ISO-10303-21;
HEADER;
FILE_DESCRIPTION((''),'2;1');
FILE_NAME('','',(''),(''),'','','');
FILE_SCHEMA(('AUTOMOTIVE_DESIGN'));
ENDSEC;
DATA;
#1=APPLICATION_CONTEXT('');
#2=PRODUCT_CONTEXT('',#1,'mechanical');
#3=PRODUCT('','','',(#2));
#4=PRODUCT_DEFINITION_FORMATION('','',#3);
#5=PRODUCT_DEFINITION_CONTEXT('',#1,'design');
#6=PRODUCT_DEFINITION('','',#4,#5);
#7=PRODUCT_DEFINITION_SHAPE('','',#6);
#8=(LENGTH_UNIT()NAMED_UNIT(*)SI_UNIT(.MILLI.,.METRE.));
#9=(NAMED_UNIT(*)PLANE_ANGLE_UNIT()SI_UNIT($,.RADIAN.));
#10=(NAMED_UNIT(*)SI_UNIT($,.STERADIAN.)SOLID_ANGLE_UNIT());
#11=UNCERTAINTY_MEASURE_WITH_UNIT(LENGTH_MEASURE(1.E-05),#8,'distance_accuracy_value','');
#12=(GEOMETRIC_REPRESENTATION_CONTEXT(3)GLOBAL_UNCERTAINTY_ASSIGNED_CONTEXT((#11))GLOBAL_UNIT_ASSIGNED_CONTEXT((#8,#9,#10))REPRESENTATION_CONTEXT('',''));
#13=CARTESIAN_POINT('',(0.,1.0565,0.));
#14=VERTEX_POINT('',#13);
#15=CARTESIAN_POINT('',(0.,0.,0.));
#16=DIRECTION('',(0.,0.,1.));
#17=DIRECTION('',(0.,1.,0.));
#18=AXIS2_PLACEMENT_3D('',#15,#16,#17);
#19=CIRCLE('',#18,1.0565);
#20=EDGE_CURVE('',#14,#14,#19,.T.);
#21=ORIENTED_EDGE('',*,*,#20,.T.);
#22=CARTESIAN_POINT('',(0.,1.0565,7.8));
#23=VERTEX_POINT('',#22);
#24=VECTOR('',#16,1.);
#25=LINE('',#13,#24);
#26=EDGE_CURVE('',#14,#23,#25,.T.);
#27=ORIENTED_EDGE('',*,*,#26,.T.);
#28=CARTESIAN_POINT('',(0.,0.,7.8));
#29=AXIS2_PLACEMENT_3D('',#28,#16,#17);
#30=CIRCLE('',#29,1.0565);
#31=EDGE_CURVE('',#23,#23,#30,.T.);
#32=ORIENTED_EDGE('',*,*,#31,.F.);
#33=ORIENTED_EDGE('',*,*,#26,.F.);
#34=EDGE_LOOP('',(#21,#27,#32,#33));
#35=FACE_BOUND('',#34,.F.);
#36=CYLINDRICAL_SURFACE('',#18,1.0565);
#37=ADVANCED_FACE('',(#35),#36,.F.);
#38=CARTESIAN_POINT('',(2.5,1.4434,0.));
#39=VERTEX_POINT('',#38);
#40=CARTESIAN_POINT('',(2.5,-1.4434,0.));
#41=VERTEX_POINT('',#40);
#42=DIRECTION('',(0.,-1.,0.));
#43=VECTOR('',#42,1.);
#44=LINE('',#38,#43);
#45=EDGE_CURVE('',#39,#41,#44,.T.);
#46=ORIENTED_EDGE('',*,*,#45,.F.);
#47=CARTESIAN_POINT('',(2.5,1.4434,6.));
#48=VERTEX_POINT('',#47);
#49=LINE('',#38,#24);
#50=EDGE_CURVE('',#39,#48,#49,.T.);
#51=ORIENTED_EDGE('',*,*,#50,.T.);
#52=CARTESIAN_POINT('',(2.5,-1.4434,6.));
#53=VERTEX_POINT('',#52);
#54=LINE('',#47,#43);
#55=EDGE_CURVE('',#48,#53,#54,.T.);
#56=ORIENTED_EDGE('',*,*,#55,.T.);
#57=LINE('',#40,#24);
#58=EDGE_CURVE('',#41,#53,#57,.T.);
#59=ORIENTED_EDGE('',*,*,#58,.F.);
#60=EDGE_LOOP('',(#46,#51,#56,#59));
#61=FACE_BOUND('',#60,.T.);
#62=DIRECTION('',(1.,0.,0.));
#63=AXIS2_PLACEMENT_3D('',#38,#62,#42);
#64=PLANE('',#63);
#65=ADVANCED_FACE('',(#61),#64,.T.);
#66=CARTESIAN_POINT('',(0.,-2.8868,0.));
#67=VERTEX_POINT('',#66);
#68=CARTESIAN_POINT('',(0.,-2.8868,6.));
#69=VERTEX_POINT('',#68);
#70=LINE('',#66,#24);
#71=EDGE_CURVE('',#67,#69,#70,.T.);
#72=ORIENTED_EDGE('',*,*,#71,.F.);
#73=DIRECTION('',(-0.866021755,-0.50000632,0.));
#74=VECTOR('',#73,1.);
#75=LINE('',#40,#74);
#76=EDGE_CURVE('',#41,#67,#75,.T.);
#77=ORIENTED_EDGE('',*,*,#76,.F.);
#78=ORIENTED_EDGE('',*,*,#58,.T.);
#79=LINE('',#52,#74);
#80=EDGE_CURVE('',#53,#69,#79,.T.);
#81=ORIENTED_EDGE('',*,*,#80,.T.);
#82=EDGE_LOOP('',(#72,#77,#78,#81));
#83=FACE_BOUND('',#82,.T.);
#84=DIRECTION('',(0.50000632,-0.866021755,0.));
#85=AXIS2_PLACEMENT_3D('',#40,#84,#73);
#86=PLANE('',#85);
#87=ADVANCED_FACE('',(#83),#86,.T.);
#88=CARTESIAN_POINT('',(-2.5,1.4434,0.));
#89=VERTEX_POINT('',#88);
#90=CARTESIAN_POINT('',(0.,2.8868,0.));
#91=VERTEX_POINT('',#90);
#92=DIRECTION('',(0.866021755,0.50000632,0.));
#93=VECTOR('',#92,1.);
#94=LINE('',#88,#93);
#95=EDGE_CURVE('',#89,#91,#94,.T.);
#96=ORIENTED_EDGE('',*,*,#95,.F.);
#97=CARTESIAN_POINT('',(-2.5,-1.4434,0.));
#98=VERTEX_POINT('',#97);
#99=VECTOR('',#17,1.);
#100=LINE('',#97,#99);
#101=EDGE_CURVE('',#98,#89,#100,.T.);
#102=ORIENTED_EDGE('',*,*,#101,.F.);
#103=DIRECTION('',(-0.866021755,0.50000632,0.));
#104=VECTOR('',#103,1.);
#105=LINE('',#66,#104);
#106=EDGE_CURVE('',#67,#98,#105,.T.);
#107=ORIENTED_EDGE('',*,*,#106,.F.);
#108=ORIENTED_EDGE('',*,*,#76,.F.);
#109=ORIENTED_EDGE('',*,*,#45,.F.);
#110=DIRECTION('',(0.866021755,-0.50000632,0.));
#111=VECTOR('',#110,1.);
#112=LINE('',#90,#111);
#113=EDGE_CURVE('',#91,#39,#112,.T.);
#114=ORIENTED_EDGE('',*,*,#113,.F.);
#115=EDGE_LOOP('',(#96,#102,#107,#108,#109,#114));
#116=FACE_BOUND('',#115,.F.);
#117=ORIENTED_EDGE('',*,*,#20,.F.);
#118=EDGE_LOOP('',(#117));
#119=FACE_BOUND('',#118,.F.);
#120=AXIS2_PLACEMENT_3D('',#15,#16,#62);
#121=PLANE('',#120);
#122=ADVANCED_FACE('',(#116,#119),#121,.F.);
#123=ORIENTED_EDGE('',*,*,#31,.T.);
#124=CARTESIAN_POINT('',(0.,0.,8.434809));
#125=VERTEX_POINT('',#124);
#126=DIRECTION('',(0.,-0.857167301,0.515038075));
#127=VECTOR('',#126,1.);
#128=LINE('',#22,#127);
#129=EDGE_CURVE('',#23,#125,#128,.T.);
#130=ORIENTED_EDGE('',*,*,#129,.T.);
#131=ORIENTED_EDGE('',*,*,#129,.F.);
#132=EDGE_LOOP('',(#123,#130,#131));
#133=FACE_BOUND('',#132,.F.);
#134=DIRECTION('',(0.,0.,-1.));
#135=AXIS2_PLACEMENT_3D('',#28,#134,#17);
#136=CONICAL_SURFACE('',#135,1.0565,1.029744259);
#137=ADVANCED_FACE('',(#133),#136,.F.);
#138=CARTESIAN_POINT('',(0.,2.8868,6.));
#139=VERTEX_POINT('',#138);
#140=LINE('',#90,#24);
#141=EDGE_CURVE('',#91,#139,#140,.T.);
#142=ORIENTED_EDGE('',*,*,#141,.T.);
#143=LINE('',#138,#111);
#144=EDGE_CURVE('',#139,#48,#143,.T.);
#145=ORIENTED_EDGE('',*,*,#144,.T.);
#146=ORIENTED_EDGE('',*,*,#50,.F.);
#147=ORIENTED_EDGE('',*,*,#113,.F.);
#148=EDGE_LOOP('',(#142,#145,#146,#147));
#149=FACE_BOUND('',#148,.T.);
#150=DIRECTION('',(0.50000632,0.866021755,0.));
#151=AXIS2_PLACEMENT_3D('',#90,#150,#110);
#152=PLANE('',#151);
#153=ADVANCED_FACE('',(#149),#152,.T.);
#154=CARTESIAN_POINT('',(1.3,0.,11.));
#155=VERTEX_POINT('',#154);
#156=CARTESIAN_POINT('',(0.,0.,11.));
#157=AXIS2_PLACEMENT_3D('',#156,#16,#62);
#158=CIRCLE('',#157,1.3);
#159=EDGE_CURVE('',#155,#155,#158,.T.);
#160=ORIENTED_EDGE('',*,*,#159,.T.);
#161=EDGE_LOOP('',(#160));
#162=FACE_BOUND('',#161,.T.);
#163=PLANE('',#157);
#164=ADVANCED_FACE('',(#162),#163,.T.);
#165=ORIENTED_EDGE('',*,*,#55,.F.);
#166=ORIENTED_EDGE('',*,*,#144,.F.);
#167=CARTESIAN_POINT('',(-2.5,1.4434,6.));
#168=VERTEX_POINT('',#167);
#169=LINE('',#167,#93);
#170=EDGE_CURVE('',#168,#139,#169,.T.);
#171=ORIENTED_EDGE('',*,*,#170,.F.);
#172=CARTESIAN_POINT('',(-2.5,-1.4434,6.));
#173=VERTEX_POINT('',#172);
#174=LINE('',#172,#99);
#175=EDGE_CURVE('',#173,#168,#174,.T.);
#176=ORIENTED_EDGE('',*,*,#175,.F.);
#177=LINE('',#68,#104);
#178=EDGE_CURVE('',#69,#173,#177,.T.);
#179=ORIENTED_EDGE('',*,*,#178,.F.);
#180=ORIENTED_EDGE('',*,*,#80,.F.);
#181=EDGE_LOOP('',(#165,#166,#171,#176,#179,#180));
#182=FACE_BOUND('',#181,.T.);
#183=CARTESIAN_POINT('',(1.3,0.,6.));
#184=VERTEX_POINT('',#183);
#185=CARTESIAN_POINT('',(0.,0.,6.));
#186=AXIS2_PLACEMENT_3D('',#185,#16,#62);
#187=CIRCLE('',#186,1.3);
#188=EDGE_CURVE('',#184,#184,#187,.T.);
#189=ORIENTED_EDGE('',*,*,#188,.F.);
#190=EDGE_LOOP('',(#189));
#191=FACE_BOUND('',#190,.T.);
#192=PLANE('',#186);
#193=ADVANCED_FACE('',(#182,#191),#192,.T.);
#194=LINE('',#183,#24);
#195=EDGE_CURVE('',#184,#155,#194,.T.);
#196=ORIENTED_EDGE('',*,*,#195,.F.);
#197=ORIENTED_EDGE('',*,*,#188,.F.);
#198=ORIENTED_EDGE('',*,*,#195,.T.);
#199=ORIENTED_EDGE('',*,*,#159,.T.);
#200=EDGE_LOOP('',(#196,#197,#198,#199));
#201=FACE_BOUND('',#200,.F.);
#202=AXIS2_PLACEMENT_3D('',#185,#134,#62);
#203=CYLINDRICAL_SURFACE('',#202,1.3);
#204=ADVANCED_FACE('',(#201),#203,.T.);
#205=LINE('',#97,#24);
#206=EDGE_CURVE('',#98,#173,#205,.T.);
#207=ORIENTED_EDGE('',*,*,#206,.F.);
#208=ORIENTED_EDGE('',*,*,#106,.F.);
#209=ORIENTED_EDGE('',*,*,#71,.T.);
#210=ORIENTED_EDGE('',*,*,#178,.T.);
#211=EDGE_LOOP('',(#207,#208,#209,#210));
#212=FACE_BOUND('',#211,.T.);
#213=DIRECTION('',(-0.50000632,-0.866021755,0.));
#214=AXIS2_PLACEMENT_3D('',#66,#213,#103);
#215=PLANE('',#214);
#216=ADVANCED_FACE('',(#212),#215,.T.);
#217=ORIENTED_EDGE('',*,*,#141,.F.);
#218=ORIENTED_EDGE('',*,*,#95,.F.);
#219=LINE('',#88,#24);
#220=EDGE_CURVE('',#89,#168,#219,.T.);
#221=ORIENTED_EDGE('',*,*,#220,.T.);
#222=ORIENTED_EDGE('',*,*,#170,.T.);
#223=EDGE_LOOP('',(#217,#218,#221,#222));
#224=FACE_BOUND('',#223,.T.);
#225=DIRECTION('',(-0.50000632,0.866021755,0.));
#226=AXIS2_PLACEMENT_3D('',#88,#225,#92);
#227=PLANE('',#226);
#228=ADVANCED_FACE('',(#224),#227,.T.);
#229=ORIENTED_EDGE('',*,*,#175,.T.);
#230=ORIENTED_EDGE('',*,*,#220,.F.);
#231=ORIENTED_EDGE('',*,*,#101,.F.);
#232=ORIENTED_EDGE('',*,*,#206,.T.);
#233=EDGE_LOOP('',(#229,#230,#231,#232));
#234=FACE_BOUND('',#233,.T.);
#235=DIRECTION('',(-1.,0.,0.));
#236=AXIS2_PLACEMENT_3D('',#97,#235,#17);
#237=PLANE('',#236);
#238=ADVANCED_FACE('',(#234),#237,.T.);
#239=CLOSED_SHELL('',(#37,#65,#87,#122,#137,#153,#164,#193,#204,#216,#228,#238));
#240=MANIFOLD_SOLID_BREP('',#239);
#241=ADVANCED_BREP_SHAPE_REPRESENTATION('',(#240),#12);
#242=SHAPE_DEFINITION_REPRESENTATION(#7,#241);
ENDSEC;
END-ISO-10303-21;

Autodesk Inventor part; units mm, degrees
ref_plane "YZ Plane" through (0, 0, 0) normal (1, 0, 0) x (0, 1, 0)
ref_plane "XZ Plane" through (0, 0, 0) normal (0, 1, 0) x (-1, 0, 0)
ref_plane "XY Plane" through (0, 0, 0) normal (0, 0, 1) x (1, 0, 0)
sketch "スケッチ1" plane through (0, 0, 0) normal (0, 0, 1) x (1, 0, 0)
  line L0 (0, 2.8868) -> (2.5, 1.4434)
  line L1 (2.5, 1.4434) -> (2.5, -1.4434)
  line L2 (2.5, -1.4434) -> (0, -2.8868)
  line L3 (0, -2.8868) -> (-2.5, -1.4434)
  line L4 (-2.5, -1.4434) -> (-2.5, 1.4434)
  line L5 (-2.5, 1.4434) -> (0, 2.8868)
  point P0 (0, 0)
  point P1 (0, 0)
  dimension "d0" = 5
extrude "押し出し1" add sketch "スケッチ1" along normal blind 6
sketch "スケッチ2" plane through (0, 0, 6) normal (0, 0, 1) x (1, 0, 0)
  circle A0 centre (0, 0) radius 1.3
  dimension "d3" = 2.6
extrude "押し出し2" add sketch "スケッチ2" along normal blind 5
thread "ねじ1" size "M2.6x0.45" class "6g" standard "ANSI Metric M Profile" full length
sketch "スケッチ3" plane through (0, 0, 0) normal (0, 0, -1) x (-1, 0, 0)
  point P0 (0, 0)
hole "穴1" at (0, 0, 0) direction (0, 0, 1) diameter 2.113 depth 7.8 tip angle 118 thread size "M2.6x0.45" class "6H" standard "ISO Metric profile"
properties part number "ジュラコンスペーサー（六角）_BS-2606E" material "アセタール樹脂、白"
